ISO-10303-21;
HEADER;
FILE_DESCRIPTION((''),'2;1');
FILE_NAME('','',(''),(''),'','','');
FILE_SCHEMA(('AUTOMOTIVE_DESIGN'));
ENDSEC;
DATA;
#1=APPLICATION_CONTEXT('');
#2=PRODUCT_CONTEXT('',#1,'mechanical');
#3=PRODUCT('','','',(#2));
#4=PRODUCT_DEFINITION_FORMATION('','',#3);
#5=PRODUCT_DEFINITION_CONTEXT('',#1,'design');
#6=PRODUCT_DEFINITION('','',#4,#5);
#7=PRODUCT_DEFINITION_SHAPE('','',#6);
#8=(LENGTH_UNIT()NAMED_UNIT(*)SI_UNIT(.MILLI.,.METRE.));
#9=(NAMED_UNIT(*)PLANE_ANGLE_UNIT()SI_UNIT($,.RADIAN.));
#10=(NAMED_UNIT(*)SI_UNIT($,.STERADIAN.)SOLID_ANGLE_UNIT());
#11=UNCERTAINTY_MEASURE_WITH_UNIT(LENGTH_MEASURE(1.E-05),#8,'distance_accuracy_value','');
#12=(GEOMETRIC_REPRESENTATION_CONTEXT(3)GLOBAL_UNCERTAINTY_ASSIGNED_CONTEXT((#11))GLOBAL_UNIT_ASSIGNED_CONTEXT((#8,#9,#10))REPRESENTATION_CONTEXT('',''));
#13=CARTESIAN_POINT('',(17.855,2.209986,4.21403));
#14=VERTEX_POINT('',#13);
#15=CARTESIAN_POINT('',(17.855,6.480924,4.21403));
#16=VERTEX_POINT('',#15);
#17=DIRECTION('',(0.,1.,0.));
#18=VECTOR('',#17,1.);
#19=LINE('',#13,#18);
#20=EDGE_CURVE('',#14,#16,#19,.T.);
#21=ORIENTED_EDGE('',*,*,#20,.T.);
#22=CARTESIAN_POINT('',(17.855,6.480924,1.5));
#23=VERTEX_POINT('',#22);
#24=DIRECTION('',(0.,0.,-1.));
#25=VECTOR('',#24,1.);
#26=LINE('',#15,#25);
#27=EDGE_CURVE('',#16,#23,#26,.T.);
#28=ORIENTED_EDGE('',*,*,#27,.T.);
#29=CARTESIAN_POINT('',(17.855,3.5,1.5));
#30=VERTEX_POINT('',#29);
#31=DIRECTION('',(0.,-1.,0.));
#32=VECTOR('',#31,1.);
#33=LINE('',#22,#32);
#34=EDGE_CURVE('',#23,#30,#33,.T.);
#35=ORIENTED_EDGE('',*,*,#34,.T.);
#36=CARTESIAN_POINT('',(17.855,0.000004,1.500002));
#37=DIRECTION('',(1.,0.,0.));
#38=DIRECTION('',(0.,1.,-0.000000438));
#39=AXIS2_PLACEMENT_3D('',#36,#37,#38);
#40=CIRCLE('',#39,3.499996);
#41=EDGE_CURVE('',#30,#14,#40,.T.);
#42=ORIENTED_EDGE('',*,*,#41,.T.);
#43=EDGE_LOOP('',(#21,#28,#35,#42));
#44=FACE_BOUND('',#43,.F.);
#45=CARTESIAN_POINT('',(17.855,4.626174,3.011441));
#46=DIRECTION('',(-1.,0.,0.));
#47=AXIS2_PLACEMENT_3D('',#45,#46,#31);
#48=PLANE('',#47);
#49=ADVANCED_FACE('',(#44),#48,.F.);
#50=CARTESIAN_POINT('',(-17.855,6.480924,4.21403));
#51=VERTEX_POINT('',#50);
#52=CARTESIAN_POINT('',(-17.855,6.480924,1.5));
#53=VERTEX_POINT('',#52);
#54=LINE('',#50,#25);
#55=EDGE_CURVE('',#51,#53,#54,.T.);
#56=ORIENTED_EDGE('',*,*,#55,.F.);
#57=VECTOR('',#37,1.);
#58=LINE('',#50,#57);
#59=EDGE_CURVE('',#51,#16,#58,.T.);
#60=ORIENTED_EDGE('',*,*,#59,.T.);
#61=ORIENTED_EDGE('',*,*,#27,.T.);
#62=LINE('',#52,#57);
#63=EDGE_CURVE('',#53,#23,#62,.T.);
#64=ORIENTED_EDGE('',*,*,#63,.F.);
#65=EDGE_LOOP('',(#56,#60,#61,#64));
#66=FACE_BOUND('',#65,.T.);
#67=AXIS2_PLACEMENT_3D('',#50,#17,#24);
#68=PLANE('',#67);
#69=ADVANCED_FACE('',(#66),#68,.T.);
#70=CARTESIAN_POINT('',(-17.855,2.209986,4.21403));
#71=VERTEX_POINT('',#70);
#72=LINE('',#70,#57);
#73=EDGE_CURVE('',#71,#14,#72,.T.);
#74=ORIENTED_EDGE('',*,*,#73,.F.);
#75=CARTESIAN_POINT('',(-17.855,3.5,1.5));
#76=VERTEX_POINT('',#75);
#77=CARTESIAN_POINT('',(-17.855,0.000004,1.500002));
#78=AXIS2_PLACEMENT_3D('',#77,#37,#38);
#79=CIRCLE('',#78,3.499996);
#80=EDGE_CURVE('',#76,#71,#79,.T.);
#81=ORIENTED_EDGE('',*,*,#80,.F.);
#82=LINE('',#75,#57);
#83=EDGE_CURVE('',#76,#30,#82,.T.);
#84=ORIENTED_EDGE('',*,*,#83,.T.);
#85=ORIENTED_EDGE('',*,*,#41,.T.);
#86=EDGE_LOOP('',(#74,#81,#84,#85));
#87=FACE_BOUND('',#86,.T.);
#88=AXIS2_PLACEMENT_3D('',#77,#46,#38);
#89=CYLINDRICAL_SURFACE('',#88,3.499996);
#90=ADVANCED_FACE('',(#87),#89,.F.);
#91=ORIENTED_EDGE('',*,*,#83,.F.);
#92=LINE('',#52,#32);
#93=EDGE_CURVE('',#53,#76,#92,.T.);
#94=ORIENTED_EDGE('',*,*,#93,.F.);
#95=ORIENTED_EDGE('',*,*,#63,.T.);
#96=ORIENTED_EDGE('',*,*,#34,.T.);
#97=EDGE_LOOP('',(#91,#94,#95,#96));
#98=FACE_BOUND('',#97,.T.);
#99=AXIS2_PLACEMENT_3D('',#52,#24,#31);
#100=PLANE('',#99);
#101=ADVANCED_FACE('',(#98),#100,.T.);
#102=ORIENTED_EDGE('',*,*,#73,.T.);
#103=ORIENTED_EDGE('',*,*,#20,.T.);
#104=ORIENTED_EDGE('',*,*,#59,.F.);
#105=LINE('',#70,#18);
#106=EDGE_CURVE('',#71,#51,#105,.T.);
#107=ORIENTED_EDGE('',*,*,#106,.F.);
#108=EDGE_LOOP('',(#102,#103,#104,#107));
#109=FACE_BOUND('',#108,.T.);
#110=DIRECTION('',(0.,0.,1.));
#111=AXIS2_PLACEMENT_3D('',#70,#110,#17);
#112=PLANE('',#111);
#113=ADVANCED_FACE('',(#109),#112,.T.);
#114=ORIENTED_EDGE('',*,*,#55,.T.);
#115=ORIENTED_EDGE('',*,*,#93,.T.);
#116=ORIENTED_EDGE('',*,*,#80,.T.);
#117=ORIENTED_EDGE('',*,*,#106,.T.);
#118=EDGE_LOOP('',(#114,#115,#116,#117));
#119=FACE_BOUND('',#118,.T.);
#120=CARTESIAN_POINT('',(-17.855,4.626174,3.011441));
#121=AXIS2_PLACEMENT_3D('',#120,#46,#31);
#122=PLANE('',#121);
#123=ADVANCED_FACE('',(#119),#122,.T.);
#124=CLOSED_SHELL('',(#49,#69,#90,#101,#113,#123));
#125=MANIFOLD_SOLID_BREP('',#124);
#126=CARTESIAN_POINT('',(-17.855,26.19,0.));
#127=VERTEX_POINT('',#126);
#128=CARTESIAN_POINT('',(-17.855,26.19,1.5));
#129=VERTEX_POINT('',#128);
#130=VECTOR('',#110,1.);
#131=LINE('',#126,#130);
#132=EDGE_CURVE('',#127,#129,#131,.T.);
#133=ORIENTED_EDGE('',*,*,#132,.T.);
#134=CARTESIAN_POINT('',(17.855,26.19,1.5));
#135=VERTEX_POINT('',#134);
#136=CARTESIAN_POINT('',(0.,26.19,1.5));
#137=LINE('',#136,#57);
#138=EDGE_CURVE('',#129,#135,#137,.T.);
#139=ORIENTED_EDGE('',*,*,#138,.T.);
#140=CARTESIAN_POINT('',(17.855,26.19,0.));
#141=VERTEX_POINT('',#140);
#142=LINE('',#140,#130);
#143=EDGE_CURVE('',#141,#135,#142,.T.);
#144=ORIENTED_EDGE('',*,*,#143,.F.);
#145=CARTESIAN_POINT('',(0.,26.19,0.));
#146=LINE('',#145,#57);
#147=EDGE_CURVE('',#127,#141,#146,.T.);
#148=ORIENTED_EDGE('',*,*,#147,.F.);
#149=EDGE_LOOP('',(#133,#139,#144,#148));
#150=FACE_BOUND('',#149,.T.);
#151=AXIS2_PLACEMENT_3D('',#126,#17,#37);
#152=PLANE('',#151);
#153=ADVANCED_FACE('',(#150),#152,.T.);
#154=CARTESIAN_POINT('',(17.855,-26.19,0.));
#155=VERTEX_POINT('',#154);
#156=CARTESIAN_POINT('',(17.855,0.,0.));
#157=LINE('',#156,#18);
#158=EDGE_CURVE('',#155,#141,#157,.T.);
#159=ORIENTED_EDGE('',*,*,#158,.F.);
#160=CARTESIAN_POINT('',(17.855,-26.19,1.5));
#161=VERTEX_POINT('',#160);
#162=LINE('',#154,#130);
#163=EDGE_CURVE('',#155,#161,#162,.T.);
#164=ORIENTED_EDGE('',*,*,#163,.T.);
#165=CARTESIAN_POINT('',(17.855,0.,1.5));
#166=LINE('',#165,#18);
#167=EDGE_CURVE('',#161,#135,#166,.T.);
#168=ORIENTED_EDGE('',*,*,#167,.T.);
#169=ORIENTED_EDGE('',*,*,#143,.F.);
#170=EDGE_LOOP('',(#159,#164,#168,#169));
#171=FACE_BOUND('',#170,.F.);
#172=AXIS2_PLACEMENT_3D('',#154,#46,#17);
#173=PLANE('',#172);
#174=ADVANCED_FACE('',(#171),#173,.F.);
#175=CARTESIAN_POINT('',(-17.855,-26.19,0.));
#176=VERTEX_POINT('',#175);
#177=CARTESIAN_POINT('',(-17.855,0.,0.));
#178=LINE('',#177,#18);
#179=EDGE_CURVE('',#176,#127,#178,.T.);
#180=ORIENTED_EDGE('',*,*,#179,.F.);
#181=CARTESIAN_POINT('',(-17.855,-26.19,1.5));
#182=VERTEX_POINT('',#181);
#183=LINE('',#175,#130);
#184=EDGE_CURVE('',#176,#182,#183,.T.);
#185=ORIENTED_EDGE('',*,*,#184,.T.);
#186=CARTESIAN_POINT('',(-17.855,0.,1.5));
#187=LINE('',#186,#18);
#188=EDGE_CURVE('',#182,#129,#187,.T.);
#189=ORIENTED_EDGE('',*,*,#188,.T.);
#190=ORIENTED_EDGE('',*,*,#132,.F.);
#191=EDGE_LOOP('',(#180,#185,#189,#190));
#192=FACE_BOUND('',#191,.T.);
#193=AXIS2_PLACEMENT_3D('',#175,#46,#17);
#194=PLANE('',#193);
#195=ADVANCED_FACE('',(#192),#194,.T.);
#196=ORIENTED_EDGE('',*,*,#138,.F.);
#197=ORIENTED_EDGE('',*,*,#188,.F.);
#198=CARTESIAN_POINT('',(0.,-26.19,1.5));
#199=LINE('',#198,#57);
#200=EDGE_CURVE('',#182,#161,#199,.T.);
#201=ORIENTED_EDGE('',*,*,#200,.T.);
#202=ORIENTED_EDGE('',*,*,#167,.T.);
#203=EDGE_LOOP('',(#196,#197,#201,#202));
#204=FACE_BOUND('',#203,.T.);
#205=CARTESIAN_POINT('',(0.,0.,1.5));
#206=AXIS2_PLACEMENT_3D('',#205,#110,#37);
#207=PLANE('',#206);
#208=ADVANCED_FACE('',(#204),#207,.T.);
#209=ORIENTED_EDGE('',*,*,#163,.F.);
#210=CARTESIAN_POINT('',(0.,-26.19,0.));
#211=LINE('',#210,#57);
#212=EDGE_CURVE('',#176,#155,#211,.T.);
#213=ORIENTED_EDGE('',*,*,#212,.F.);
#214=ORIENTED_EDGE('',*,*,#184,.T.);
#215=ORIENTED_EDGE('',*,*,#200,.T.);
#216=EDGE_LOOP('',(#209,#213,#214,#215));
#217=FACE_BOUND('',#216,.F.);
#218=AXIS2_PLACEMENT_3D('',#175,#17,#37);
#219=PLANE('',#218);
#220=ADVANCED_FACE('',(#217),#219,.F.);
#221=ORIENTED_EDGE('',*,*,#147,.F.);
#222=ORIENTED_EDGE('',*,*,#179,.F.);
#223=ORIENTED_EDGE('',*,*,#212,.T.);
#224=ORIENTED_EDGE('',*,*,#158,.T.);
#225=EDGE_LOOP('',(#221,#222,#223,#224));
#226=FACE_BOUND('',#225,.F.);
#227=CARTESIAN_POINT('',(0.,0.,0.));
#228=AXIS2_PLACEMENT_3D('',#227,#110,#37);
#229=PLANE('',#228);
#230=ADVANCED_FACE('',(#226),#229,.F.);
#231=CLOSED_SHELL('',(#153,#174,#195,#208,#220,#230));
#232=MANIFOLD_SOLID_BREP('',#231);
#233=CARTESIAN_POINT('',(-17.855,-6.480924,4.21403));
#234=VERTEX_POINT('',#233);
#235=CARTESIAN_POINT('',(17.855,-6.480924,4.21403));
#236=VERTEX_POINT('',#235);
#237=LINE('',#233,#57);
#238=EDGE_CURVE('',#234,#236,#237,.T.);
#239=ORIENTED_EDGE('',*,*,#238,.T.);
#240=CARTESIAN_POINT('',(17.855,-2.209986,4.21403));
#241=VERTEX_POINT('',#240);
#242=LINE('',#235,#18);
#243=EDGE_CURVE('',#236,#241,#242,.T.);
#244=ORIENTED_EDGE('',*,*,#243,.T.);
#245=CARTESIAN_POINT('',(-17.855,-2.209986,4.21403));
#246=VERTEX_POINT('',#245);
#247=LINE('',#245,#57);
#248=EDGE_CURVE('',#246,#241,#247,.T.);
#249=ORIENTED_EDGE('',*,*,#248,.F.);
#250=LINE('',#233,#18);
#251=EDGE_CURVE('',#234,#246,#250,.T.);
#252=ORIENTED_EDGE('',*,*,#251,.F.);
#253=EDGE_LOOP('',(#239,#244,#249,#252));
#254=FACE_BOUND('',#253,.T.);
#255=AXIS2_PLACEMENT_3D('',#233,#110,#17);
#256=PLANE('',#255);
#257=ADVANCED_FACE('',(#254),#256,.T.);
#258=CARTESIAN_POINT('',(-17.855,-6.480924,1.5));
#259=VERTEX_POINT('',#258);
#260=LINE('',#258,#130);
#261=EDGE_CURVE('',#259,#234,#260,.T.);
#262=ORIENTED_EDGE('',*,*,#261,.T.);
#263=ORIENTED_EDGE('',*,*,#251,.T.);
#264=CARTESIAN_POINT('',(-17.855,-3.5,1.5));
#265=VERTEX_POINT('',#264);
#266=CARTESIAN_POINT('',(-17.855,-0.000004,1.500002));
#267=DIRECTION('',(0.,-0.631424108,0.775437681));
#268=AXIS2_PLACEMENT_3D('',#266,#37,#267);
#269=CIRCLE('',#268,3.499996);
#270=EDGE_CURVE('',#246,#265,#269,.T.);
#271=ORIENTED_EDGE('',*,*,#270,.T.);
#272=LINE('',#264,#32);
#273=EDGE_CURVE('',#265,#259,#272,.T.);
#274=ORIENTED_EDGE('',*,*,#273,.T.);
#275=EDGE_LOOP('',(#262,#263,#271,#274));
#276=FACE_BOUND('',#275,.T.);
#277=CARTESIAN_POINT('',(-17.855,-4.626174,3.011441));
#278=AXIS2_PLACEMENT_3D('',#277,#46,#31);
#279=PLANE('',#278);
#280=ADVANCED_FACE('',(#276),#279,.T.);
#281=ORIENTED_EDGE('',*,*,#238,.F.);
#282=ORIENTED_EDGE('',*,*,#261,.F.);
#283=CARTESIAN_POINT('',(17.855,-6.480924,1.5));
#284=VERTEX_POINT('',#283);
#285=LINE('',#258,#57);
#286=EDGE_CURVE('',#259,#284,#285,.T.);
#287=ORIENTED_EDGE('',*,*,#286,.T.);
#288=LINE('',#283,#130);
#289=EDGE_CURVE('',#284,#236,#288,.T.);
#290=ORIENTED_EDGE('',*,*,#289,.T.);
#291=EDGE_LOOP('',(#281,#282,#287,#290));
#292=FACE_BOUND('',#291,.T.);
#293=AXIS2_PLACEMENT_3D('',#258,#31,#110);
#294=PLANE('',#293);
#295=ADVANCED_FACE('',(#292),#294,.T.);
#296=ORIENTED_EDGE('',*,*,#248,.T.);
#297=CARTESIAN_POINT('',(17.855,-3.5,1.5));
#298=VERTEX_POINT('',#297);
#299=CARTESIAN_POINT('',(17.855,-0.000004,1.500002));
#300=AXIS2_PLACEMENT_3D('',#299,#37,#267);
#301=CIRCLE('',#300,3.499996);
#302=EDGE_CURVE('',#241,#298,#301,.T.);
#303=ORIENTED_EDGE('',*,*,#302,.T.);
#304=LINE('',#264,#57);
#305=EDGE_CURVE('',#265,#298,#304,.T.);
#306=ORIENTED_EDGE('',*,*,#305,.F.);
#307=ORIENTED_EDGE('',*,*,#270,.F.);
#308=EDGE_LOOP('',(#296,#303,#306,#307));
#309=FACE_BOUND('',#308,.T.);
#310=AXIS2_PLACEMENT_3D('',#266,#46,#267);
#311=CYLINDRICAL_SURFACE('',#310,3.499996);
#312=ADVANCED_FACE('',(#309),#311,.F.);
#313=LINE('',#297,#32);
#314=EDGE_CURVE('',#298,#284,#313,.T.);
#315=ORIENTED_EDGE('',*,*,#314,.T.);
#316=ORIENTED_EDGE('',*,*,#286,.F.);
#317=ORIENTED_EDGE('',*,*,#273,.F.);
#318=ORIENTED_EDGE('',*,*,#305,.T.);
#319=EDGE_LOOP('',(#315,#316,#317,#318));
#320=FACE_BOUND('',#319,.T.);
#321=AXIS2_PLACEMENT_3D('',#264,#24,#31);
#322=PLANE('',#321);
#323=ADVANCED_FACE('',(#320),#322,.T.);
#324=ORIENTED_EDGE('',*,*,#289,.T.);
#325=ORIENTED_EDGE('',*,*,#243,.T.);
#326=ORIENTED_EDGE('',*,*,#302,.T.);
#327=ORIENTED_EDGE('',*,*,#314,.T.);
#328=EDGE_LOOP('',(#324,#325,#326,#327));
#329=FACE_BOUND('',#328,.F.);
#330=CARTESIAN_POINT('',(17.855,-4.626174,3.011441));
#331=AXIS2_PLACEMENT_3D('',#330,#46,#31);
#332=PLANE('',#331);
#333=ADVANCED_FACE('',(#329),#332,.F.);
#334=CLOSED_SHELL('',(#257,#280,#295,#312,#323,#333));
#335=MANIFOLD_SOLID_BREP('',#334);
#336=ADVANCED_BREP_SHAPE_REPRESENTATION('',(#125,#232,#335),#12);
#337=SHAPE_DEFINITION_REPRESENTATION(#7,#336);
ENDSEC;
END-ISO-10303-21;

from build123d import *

# Parameters (mm, degrees)
F0_W     = 35.71
F0_H     = 52.38
F1_DEPTH = 1.5
F3_DEPTH = 35.71


with BuildPart() as f1:
    # F0 (on Top) → F1 (new body)
    with BuildSketch(Plane.XY):
        Rectangle(F0_W, F0_H)
    extrude(amount=F1_DEPTH)


with BuildPart() as f3:
    # F2 (on face) → F3 (new body, through all)
    with BuildSketch(Plane(origin=(-17.855, 0, 0), x_dir=(0, -1, 0), z_dir=(-1, 0, 0))):
        with BuildLine():
            ThreePointArc((-3.5, 1.5), (-3.161088, 3.002506), (-2.209986, 4.21403))
            Line((-2.209986, 4.21403), (-6.480924, 4.21403))
            Line((-6.480924, 4.21403), (-6.480924, 1.5))
            Line((-6.480924, 1.5), (-3.5, 1.5))
        make_face()
        with BuildLine():
            Line((6.480924, 4.21403), (2.209986, 4.21403))
            ThreePointArc((2.209986, 4.21403), (3.161088, 3.002506), (3.5, 1.5))
            Line((3.5, 1.5), (6.480924, 1.5))
            Line((6.480924, 1.5), (6.480924, 4.21403))
        make_face()
    extrude(amount=-F3_DEPTH)


solid = Compound([f1.part, f3.part])
